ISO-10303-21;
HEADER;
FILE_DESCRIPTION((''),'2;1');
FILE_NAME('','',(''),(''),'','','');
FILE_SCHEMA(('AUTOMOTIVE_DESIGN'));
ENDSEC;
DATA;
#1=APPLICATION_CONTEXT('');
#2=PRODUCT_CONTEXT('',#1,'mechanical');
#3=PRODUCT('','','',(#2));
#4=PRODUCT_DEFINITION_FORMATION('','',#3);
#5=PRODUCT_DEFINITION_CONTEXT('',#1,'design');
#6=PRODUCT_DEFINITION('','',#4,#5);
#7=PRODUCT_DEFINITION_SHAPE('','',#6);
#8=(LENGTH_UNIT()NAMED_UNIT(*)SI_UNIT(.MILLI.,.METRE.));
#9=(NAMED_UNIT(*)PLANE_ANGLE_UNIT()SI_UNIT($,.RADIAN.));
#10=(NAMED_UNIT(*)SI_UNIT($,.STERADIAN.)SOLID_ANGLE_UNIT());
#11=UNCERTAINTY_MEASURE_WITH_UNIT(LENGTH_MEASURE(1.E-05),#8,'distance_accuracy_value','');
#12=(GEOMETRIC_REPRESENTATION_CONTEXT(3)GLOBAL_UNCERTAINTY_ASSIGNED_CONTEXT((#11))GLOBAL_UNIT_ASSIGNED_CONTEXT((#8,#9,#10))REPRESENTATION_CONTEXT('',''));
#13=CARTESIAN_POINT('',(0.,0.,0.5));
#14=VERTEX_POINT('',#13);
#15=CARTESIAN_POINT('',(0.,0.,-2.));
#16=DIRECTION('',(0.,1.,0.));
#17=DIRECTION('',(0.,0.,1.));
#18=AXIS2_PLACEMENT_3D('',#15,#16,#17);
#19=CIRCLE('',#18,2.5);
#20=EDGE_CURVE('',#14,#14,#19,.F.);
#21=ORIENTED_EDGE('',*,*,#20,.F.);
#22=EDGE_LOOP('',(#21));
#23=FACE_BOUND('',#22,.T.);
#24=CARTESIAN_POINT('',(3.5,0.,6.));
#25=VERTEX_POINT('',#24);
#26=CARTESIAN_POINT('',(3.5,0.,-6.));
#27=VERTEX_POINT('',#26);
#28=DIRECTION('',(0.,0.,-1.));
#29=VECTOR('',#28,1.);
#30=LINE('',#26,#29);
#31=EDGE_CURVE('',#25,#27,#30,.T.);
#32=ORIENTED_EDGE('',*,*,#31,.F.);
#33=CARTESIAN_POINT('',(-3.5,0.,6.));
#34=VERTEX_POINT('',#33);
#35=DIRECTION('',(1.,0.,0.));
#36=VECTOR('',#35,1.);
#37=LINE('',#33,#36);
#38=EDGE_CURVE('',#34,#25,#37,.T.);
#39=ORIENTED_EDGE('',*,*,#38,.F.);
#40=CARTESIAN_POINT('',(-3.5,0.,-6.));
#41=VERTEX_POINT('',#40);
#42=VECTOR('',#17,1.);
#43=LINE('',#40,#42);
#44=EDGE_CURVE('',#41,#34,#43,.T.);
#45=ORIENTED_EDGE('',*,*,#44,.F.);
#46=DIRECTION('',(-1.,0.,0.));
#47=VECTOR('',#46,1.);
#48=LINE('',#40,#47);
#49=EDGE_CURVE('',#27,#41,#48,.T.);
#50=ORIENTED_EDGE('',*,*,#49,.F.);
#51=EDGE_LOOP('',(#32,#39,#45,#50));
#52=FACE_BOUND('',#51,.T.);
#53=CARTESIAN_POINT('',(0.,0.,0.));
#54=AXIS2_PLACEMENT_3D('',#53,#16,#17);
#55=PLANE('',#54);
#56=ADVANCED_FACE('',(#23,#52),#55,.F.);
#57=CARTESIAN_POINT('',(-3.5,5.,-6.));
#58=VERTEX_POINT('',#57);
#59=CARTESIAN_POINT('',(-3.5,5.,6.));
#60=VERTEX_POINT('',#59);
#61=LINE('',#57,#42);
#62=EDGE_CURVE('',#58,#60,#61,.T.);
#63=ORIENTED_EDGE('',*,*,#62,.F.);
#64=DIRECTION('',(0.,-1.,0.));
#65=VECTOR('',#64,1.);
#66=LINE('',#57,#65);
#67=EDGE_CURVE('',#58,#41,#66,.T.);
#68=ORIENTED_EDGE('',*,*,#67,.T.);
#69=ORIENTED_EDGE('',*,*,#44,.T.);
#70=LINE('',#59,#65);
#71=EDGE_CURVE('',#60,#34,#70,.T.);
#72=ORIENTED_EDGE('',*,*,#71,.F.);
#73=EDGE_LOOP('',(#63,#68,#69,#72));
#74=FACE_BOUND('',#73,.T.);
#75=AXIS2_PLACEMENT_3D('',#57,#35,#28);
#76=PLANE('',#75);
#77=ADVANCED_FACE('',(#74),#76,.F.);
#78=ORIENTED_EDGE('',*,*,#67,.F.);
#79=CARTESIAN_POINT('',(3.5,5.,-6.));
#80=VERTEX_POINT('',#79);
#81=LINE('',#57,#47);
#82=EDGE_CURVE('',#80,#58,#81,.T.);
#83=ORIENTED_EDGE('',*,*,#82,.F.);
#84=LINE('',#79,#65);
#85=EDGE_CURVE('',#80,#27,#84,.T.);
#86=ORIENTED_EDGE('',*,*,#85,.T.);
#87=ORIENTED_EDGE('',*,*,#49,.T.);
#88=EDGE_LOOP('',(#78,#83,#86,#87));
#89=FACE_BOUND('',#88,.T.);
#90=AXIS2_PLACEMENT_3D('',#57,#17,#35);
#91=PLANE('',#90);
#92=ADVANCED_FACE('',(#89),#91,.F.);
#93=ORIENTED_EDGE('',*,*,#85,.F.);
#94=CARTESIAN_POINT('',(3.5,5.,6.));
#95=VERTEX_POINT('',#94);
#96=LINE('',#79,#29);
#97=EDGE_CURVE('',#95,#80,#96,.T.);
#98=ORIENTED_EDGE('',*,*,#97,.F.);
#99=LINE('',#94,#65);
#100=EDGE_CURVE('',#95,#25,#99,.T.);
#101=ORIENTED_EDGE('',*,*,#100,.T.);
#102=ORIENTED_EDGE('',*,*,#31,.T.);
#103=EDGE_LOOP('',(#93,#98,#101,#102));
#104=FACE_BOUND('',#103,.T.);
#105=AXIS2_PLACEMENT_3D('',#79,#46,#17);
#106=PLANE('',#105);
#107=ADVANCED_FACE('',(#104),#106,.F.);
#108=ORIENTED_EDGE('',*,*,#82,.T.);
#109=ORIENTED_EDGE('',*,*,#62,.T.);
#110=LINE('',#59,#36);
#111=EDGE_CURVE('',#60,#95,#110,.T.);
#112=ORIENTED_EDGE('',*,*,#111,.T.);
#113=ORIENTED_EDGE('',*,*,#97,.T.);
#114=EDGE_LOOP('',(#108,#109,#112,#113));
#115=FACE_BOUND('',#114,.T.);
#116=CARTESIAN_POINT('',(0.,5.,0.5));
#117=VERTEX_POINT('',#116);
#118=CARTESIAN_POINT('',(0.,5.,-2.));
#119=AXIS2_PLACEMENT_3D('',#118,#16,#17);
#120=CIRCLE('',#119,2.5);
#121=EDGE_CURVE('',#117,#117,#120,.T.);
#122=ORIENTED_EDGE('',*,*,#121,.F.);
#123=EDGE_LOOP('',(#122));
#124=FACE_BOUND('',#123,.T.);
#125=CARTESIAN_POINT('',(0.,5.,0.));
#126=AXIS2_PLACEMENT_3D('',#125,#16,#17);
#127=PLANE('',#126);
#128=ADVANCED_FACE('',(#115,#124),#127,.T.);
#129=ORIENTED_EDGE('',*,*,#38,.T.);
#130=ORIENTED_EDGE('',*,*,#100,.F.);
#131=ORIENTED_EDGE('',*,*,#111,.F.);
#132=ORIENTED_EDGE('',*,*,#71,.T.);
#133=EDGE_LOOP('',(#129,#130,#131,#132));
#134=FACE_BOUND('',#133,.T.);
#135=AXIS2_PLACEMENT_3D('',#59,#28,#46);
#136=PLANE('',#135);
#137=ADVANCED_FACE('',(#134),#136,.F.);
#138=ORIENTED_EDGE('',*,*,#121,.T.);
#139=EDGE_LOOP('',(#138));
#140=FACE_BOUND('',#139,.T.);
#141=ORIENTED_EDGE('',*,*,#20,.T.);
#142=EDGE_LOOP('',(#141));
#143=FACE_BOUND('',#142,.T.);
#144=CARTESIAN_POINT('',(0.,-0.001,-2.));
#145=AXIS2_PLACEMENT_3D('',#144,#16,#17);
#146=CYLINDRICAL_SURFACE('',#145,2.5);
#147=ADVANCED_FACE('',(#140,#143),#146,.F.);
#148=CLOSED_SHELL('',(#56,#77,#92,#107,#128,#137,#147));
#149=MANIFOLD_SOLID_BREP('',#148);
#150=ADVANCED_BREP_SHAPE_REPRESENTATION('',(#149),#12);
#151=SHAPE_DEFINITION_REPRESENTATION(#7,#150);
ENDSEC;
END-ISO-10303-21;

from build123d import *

# Parameters (mm, degrees)
SKETCH1_W           = 7
SKETCH1_H           = 12
BOSS_EXTRUDE1_DEPTH = 5
CUT_EXTRUDE1_REACH  = 10.559
SKETCH2_R           = 2.5


with BuildPart() as part:
    # Sketch1 → Boss-Extrude1 (new body)
    with BuildSketch(Plane(origin=(0, 0, 0), x_dir=(1, 0, 0), z_dir=(0, 1, 0))):
        Rectangle(SKETCH1_W, SKETCH1_H)
    extrude(amount=BOSS_EXTRUDE1_DEPTH)

    # Sketch2 → Cut-Extrude1 (cut, up to next)
    with BuildSketch(Plane(origin=(0, 5, 0), x_dir=(1, 0, 0), z_dir=(0, 1, 0)), mode=Mode.PRIVATE) as cut_extrude1_sk1:
        with Locations(Location((0, 2, 0), (0, 0, 270))):
            Circle(SKETCH2_R)
    cut_extrude1_tool1 = extrude(cut_extrude1_sk1.sketch, amount=-CUT_EXTRUDE1_REACH, mode=Mode.PRIVATE) & part.part
    add(cut_extrude1_tool1.solids().sort_by_distance((0, 5, -2))[0], mode=Mode.SUBTRACT)


solid = part.part
